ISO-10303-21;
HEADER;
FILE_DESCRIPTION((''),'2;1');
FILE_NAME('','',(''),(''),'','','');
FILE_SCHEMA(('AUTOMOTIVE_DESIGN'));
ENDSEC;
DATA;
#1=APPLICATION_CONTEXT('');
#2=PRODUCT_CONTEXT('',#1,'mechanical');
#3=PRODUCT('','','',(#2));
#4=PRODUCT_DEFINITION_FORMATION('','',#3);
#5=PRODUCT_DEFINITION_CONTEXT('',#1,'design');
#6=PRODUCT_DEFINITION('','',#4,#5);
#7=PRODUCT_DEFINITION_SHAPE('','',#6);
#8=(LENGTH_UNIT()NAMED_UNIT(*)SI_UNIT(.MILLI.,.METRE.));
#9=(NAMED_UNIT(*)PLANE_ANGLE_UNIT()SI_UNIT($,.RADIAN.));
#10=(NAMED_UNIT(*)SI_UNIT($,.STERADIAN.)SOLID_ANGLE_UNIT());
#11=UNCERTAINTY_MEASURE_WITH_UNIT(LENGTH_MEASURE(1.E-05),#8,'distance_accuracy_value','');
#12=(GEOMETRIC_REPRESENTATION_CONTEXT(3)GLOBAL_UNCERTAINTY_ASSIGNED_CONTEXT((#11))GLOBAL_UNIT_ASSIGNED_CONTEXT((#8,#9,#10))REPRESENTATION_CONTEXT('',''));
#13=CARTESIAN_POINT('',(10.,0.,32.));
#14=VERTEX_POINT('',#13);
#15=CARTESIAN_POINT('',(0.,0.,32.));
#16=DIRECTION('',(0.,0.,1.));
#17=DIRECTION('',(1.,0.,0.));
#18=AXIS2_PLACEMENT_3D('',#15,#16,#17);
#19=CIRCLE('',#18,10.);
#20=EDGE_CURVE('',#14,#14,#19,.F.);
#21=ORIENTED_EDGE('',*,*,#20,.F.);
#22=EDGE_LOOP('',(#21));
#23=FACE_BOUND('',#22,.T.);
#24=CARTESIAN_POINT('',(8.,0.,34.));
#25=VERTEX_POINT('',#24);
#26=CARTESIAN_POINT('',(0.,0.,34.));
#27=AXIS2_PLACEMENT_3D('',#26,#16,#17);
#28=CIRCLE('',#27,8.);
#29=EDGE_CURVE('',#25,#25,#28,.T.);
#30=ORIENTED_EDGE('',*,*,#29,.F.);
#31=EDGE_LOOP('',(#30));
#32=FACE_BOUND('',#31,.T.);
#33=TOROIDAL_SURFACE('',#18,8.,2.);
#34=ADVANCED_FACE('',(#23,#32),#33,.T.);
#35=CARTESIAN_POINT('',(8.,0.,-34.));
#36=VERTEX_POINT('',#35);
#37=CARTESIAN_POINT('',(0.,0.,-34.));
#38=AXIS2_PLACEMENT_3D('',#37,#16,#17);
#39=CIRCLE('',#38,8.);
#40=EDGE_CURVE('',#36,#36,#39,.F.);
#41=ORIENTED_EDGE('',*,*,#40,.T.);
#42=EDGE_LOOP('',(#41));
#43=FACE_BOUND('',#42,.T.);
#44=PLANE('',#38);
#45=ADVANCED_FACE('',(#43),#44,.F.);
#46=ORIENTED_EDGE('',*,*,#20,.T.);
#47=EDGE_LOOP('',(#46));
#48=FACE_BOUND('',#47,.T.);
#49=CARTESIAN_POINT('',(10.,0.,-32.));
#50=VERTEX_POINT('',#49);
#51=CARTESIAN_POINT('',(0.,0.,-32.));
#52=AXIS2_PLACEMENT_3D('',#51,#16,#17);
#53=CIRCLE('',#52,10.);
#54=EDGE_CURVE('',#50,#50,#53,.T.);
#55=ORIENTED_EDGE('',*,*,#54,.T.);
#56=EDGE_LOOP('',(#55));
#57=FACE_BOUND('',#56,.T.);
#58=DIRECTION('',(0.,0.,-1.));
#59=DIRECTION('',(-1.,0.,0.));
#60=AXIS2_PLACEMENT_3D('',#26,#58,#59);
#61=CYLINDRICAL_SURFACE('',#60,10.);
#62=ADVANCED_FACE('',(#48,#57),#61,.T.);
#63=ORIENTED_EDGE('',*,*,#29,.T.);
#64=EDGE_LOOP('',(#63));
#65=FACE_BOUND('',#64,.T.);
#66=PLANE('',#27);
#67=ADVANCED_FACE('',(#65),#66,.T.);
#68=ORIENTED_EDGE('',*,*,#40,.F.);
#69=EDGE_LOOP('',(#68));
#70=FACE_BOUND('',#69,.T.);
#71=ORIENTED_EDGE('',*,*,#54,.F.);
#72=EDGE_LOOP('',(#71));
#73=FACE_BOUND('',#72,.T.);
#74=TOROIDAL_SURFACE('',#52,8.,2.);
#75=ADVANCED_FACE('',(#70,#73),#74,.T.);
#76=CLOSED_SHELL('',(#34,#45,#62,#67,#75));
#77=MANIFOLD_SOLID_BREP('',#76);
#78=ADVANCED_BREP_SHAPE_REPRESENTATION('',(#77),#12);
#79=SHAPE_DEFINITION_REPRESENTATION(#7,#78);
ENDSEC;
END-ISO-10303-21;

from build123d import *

# Parameters (mm, degrees)
ESBO_O2_R                = 10
RESSALTO_EXTRUS_O1_DEPTH = 34
FILETE1_R                = 2


with BuildPart() as part:
    # Esboço2 → Ressalto-extrusão1 (new, symmetric)
    with BuildSketch(Plane.XY):
        Circle(ESBO_O2_R)
    extrude(amount=RESSALTO_EXTRUS_O1_DEPTH, both=True)

    # Filete1
    filete1_edges = [part.edges().sort_by_distance(p)[0] for p in [
        (-10, 0, -34),
        (-10, 0, 34),
    ]]
    fillet(filete1_edges, radius=FILETE1_R)


solid = part.part
